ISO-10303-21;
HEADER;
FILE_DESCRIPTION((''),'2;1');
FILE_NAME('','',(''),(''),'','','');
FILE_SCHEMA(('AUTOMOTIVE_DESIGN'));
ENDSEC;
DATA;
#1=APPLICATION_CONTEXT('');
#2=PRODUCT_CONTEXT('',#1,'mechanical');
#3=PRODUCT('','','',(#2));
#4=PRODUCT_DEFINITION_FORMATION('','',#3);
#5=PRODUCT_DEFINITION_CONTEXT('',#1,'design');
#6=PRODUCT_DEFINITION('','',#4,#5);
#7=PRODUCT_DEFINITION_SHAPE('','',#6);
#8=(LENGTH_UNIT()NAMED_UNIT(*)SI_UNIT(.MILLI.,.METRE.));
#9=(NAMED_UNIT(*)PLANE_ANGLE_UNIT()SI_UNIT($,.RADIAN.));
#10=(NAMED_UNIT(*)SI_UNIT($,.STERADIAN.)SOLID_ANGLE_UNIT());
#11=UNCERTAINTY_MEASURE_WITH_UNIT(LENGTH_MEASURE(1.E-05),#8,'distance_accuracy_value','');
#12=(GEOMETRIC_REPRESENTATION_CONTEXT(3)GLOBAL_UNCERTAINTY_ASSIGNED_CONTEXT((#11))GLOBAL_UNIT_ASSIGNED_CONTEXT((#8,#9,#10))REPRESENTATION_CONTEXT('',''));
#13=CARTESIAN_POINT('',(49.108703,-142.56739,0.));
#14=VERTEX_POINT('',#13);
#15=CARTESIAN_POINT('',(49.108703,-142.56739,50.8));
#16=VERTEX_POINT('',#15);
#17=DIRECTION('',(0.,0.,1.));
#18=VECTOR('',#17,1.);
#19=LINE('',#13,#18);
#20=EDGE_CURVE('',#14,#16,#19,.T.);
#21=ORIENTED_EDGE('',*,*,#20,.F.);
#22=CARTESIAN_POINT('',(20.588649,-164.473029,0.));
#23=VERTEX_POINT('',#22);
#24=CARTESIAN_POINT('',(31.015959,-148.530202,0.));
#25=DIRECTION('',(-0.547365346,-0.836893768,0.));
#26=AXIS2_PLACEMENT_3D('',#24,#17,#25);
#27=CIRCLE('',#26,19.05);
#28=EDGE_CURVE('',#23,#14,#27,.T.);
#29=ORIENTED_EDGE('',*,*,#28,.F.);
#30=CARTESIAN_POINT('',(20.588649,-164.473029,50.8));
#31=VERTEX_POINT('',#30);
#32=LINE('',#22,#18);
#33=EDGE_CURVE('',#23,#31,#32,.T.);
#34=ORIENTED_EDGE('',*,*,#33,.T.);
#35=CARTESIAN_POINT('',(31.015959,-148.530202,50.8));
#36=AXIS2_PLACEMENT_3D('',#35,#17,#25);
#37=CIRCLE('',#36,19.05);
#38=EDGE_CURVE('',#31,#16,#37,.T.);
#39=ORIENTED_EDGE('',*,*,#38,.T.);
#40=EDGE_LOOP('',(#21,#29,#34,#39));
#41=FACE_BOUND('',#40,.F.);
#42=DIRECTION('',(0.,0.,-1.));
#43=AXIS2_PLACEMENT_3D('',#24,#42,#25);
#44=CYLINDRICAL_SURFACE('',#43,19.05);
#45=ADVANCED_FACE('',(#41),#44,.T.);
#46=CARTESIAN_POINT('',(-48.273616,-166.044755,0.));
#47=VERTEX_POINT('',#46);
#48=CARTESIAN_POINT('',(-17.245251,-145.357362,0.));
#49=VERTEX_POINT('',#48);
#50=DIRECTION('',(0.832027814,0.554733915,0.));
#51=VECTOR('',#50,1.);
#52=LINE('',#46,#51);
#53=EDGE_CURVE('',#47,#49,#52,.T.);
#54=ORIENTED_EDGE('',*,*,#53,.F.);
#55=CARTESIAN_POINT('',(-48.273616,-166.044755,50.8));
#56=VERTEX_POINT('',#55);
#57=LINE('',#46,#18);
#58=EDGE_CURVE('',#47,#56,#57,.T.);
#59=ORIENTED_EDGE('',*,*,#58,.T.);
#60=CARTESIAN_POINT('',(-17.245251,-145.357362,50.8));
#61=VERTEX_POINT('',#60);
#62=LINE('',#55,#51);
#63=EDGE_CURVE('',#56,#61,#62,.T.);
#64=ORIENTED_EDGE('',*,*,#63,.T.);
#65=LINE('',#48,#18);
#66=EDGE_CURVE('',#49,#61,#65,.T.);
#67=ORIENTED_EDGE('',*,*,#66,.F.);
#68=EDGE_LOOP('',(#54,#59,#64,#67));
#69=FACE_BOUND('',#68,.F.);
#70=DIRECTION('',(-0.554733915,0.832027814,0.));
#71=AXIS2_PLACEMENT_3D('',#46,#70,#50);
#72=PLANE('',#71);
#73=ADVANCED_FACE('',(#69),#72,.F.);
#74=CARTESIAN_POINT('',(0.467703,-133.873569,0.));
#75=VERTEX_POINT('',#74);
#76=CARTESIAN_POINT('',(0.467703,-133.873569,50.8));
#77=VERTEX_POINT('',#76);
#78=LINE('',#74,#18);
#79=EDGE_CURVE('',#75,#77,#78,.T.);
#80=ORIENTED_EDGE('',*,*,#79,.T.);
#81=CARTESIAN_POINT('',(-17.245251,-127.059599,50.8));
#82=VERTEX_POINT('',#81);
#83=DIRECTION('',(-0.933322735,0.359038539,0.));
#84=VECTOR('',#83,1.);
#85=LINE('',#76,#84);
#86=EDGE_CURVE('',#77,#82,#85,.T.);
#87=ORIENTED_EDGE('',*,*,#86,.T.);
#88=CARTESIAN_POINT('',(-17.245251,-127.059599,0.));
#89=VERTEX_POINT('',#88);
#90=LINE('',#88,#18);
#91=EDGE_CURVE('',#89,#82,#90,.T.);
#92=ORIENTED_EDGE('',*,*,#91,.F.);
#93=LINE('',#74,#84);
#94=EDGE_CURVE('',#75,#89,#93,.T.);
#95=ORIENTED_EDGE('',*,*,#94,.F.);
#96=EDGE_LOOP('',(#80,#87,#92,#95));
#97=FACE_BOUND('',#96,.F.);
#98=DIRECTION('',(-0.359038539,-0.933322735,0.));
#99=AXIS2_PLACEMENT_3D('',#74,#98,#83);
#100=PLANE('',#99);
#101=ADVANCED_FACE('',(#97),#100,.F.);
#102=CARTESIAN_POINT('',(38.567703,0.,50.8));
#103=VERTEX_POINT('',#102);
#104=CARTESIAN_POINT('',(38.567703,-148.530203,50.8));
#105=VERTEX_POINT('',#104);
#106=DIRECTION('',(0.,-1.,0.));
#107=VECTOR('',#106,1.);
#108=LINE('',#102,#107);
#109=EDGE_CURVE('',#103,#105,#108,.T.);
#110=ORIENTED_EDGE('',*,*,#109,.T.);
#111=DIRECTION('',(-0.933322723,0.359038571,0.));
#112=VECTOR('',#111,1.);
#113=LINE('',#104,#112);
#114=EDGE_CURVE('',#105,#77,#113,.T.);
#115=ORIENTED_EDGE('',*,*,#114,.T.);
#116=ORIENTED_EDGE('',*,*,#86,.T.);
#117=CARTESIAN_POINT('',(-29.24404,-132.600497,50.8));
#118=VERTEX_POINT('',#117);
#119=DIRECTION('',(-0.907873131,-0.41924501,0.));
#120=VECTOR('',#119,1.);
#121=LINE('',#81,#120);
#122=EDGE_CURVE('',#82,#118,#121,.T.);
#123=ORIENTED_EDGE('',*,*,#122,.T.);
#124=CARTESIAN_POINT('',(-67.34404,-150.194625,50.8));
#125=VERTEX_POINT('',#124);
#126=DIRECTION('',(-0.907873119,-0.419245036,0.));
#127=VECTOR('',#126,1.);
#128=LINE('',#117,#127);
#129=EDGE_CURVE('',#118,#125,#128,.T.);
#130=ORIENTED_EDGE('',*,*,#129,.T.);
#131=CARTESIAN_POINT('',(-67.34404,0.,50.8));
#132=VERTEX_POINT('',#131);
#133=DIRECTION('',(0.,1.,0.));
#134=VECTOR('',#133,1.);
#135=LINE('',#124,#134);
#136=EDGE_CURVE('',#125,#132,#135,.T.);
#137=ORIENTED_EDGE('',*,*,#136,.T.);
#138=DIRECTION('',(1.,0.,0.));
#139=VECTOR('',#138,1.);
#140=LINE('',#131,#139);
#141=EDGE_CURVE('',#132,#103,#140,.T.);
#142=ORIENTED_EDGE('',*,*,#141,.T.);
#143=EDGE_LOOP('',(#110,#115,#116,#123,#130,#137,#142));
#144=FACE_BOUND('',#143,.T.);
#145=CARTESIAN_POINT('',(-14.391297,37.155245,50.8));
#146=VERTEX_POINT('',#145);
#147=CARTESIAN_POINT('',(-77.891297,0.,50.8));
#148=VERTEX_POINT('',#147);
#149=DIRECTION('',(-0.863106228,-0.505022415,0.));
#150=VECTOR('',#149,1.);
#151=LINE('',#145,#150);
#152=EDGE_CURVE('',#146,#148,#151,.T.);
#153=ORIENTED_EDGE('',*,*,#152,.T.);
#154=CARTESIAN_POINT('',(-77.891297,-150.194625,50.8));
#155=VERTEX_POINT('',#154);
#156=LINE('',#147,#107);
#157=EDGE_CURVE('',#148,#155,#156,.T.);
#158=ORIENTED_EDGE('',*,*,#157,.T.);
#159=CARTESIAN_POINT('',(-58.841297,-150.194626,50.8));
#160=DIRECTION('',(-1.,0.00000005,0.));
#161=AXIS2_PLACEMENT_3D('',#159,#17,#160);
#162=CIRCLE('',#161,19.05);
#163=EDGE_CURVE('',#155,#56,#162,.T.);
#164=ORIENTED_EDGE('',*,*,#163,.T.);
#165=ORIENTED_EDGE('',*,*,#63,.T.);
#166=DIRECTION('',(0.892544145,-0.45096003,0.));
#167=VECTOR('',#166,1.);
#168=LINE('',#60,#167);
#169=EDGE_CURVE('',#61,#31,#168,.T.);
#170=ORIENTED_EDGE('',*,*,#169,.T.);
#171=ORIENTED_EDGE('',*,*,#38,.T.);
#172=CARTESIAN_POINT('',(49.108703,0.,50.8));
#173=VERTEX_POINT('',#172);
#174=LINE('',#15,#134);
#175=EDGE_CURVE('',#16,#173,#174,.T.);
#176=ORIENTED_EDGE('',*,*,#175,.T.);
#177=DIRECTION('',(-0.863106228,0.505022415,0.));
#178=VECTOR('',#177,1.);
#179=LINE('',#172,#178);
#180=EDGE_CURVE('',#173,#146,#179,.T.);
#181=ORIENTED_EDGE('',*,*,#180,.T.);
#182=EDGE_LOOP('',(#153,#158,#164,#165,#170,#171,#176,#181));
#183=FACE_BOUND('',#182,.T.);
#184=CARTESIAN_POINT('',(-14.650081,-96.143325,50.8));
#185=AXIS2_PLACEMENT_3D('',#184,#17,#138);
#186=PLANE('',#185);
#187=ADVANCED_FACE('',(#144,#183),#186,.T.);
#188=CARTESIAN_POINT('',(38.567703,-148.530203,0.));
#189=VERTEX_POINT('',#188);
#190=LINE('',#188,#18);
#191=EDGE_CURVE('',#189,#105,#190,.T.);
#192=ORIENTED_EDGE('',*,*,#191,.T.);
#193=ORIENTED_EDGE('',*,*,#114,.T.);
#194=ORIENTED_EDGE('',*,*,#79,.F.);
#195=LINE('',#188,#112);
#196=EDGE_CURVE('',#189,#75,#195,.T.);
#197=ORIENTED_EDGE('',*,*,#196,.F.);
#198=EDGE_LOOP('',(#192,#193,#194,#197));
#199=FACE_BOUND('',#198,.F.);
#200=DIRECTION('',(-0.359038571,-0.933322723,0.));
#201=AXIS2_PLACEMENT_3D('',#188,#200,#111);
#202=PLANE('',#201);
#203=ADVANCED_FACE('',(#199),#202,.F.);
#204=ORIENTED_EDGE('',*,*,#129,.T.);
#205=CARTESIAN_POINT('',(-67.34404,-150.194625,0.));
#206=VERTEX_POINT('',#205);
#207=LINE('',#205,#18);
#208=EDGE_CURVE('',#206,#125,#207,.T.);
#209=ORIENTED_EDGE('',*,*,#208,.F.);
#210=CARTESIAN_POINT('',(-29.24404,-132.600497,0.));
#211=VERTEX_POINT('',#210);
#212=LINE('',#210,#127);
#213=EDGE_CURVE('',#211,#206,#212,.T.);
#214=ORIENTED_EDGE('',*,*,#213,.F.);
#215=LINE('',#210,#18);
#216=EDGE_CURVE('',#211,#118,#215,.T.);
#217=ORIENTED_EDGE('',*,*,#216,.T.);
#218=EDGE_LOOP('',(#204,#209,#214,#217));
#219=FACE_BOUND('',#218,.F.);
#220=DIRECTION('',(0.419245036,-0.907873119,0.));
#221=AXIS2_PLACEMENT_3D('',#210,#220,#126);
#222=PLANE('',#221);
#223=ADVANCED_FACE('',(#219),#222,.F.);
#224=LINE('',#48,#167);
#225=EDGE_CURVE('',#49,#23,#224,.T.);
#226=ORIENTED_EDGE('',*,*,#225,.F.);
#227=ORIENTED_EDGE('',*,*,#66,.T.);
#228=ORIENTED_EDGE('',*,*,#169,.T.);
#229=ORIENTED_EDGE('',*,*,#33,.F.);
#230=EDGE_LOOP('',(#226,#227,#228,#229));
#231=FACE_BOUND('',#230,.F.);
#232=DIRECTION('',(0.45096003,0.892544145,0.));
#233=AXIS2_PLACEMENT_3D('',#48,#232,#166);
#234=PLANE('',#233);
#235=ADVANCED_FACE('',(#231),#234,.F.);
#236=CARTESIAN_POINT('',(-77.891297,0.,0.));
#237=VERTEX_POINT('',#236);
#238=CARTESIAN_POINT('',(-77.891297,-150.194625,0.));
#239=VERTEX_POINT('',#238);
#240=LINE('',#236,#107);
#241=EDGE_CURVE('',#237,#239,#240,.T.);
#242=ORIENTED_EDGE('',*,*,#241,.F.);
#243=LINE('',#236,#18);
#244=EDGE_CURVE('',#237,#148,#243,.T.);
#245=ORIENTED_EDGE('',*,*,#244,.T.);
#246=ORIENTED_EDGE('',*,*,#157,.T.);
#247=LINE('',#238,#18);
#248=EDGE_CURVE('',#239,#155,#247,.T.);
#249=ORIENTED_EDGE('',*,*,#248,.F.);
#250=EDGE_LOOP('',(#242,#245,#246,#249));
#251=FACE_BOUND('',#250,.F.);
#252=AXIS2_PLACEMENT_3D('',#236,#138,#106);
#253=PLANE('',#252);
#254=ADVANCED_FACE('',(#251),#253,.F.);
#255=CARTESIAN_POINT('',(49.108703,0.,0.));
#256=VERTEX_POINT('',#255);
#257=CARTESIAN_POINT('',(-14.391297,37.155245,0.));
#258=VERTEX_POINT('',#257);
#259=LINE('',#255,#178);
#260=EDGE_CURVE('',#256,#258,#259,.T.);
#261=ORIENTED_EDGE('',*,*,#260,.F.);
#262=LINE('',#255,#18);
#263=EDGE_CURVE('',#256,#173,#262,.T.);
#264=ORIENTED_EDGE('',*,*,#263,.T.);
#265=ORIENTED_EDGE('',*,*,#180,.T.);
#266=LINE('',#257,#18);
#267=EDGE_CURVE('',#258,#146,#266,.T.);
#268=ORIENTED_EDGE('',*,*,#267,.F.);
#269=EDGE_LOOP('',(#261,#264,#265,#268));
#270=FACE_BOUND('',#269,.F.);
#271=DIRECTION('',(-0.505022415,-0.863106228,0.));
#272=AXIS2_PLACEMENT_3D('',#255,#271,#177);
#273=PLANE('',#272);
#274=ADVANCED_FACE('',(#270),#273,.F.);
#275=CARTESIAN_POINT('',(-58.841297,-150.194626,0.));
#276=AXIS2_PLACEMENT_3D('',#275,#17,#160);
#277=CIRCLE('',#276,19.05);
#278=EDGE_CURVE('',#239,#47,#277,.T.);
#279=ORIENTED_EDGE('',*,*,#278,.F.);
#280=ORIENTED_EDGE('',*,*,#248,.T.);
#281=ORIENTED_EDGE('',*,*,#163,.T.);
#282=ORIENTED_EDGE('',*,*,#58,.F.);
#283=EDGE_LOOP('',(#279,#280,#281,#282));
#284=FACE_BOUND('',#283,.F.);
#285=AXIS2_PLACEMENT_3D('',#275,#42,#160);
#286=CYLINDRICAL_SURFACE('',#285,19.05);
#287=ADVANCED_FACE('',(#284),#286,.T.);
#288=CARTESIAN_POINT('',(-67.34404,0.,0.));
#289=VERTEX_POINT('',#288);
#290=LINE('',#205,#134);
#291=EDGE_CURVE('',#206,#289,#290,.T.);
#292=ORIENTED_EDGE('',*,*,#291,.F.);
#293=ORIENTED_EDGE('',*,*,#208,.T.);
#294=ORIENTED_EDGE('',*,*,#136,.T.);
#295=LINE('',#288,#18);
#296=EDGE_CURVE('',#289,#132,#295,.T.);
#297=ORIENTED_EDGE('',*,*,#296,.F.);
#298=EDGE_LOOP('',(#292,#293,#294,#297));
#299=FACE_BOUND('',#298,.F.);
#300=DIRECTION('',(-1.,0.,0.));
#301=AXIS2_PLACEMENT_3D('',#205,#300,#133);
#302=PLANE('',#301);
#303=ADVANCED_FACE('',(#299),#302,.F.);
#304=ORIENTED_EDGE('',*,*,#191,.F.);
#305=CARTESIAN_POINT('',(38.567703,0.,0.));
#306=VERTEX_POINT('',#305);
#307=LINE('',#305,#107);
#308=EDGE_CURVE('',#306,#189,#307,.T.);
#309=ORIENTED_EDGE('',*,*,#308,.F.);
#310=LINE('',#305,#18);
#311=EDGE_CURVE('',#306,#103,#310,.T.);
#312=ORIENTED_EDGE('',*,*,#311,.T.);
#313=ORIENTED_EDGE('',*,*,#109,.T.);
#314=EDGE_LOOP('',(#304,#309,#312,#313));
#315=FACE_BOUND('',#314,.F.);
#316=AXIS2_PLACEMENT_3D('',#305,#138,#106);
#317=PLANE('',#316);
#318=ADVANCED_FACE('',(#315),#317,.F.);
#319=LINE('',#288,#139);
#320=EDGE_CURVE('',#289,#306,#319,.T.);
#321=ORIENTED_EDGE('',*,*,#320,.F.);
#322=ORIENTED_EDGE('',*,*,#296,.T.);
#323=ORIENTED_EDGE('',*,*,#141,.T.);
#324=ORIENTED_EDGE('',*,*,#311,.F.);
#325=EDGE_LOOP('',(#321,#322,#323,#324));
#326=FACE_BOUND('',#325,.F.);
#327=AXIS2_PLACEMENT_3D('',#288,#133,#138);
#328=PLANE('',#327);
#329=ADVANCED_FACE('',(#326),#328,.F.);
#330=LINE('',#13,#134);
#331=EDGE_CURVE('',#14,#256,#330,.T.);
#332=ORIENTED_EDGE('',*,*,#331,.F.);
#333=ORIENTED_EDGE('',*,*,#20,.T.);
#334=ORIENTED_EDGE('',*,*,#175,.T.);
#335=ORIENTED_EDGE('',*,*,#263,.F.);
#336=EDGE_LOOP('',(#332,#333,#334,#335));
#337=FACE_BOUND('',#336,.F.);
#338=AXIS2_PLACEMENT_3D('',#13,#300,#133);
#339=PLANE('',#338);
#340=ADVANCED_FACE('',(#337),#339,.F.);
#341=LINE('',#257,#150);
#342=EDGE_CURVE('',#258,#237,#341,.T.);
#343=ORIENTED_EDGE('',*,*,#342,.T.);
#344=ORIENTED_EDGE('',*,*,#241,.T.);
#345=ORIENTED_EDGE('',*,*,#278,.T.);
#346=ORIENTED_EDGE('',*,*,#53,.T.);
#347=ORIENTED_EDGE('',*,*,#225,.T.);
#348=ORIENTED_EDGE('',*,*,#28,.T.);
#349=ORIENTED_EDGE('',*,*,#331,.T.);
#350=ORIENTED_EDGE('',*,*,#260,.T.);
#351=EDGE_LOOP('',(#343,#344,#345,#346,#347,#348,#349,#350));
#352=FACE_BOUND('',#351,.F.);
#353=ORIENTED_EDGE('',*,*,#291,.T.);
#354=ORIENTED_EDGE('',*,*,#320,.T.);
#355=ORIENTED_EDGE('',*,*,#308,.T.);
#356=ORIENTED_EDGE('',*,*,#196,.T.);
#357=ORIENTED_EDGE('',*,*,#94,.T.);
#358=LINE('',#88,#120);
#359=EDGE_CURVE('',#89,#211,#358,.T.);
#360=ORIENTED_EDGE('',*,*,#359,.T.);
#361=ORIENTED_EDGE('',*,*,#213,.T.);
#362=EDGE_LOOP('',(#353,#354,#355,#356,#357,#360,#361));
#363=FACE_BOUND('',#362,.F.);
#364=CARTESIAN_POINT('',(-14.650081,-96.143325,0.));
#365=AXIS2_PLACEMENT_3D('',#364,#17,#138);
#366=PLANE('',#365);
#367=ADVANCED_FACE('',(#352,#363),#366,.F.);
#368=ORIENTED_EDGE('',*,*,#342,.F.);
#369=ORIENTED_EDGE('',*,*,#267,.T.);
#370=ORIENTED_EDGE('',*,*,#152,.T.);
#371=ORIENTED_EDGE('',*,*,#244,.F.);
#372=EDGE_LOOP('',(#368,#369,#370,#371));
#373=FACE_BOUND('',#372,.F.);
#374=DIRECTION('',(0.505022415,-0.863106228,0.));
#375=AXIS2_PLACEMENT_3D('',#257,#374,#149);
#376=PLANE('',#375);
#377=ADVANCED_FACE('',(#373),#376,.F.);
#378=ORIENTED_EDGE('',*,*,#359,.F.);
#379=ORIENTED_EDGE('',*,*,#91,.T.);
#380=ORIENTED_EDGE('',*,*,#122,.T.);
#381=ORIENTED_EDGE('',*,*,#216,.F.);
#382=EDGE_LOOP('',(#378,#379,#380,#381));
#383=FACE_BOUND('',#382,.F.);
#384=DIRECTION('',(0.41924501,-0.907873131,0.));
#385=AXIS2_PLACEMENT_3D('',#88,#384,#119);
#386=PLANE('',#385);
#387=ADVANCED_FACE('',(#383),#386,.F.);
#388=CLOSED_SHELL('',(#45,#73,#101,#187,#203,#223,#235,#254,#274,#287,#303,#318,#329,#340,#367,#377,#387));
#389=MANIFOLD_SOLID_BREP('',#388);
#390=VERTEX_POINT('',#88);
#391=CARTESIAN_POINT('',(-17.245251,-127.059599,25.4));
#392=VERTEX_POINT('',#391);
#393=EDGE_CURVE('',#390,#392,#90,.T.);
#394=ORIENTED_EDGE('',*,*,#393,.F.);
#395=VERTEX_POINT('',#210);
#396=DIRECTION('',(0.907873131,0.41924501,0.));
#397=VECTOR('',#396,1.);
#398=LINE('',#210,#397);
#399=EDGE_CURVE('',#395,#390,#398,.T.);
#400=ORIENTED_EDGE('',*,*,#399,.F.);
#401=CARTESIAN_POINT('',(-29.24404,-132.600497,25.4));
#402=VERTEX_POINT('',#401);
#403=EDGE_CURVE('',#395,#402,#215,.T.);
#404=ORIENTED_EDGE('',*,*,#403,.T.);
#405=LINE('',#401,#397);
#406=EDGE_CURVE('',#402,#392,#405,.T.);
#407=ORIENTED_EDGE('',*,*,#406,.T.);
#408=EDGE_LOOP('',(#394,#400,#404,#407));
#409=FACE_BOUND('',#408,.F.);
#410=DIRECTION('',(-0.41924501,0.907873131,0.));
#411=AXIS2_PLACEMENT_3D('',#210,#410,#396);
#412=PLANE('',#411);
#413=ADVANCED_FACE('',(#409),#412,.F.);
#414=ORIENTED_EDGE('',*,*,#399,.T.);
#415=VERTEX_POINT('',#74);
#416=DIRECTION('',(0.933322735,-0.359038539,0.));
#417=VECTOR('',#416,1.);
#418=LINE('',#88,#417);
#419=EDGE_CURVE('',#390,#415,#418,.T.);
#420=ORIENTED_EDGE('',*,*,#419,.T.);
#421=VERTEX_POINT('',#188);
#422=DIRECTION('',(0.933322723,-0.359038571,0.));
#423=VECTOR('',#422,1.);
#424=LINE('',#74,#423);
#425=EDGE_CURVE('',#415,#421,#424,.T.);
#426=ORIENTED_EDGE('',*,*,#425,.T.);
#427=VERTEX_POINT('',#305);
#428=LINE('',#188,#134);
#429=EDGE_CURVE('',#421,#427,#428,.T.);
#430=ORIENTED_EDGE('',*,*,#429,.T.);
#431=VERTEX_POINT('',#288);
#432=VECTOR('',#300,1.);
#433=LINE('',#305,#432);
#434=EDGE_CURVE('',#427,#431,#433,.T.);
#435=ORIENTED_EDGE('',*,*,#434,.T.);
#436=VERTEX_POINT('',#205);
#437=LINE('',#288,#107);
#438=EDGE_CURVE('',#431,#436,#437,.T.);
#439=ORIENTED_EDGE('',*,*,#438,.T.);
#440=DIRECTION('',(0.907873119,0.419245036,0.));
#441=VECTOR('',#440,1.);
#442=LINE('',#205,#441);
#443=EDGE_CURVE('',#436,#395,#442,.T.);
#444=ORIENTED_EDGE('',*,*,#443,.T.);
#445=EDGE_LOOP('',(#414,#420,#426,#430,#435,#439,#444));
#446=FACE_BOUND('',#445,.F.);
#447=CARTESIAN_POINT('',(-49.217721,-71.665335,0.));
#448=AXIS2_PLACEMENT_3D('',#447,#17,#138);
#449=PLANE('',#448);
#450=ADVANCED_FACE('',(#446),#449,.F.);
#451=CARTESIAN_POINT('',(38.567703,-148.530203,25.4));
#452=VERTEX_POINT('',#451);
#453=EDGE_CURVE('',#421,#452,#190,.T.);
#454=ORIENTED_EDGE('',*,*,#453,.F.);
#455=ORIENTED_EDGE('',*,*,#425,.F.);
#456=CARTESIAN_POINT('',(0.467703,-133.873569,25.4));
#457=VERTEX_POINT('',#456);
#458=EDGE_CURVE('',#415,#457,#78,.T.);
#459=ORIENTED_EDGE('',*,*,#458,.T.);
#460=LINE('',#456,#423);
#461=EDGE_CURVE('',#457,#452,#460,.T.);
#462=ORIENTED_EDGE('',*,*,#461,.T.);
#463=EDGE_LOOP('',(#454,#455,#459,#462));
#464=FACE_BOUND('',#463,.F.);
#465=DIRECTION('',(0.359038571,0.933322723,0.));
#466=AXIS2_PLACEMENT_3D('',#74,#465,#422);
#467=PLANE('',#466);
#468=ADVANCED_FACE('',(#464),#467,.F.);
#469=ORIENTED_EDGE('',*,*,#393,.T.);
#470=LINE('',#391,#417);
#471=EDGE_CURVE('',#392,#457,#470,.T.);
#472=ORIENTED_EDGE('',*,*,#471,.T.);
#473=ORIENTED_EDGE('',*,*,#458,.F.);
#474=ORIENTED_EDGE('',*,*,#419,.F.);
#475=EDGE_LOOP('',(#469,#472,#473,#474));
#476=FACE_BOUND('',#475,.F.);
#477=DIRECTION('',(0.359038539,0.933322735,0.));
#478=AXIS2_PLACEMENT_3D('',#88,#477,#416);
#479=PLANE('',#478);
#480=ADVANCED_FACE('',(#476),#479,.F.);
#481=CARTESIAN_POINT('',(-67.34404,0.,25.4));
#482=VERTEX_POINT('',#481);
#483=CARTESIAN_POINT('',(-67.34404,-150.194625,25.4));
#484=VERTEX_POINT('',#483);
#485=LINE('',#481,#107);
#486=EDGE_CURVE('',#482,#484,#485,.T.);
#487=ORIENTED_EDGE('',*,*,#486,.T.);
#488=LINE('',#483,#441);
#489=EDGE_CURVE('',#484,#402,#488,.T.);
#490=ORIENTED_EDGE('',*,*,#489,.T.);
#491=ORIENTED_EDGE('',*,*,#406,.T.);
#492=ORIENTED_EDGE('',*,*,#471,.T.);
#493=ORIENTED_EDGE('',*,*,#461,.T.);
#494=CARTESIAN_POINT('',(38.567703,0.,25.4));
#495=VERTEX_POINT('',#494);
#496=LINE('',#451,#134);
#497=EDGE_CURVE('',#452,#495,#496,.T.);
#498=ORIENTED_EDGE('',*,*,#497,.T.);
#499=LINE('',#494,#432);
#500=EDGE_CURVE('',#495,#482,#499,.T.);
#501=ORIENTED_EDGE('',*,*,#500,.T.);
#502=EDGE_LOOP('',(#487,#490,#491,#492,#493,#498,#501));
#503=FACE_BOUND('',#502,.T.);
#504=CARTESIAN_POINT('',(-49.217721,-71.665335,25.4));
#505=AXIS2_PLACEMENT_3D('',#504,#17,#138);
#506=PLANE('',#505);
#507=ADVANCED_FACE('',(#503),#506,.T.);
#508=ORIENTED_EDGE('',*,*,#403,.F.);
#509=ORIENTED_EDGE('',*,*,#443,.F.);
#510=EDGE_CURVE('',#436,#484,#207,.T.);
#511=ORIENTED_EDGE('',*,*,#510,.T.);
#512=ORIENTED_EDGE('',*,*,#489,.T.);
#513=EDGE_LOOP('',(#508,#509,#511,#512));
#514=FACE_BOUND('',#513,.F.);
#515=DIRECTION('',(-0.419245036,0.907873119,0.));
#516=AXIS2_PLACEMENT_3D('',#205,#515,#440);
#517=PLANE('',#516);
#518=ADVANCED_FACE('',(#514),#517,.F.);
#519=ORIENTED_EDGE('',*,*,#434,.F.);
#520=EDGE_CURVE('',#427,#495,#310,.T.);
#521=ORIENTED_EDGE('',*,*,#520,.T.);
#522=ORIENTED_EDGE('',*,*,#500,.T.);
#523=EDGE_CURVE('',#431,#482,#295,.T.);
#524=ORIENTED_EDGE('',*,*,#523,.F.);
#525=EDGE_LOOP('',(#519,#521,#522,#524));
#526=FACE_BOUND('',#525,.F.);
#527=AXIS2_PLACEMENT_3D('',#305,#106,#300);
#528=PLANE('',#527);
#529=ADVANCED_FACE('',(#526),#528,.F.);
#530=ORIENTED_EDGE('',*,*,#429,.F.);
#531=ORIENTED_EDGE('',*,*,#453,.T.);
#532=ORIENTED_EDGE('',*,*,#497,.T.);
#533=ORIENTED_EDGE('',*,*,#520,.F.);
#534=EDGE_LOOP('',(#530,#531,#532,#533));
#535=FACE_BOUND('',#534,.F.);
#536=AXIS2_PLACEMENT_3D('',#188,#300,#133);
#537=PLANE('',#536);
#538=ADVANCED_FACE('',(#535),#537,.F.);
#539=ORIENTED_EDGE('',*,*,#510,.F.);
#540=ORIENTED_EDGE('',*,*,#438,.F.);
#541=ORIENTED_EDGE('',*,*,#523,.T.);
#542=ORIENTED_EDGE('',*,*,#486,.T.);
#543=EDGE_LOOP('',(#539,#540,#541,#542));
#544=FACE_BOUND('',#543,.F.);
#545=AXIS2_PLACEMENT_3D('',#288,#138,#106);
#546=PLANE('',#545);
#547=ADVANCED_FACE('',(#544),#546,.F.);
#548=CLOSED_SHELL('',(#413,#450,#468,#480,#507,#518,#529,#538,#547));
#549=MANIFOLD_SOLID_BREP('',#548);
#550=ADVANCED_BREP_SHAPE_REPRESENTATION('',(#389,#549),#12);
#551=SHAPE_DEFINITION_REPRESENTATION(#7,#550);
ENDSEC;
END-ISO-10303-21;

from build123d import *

# Parameters (mm, degrees)
F1_DEPTH = 25.4
F2_DEPTH = 50.8


with BuildPart() as f1:
    # F0 (on Top) → F1 (new body)
    with BuildSketch(Plane.XY):
        Polygon((-29.24404, 0), (-67.34404, 0), (-67.34404, -150.194625), (-29.24404, -132.600497), align=None)
        Polygon((38.567703, -148.530203), (38.567703, 0), (0.467703, 0), (0.467703, -133.873569), align=None)
        Polygon((0.467703, 0), (-29.24404, 0), (-29.24404, -132.600497), (-17.245251, -127.059599), (0.467703, -133.873569), align=None)
    extrude(amount=F1_DEPTH)


with BuildPart() as f2:
    # F0 (on Top) → F2 (new body)
    with BuildSketch(Plane.XY):
        with BuildLine():
            Line((-67.34404, 0), (-77.891297, 0))
            Line((-77.891297, 0), (-77.891297, -150.194625))
            ThreePointArc((-77.891297, -150.194625), (-67.82985, -166.990709), (-48.273616, -166.044755))
            Line((-48.273616, -166.044755), (-17.245251, -145.357362))
            Line((-17.245251, -145.357362), (20.588649, -164.473029))
            ThreePointArc((20.588649, -164.473029), (42.620009, -163.638099), (49.108703, -142.56739))
            Line((49.108703, -142.56739), (49.108703, 0))
            Line((49.108703, 0), (38.567703, 0))
            Line((38.567703, 0), (38.567703, -148.530203))
            Line((38.567703, -148.530203), (0.467703, -133.873569))
            Line((0.467703, -133.873569), (-17.245251, -127.059599))
            Line((-17.245251, -127.059599), (-29.24404, -132.600497))
            Line((-29.24404, -132.600497), (-67.34404, -150.194625))
            Line((-67.34404, -150.194625), (-67.34404, 0))
        make_face()
        Polygon((-14.391297, 37.155245), (-77.891297, 0), (-67.34404, 0), (-29.24404, 0), (0.467703, 0), (38.567703, 0), (49.108703, 0), align=None)
    extrude(amount=F2_DEPTH)


solid = Compound([f1.part, f2.part])
